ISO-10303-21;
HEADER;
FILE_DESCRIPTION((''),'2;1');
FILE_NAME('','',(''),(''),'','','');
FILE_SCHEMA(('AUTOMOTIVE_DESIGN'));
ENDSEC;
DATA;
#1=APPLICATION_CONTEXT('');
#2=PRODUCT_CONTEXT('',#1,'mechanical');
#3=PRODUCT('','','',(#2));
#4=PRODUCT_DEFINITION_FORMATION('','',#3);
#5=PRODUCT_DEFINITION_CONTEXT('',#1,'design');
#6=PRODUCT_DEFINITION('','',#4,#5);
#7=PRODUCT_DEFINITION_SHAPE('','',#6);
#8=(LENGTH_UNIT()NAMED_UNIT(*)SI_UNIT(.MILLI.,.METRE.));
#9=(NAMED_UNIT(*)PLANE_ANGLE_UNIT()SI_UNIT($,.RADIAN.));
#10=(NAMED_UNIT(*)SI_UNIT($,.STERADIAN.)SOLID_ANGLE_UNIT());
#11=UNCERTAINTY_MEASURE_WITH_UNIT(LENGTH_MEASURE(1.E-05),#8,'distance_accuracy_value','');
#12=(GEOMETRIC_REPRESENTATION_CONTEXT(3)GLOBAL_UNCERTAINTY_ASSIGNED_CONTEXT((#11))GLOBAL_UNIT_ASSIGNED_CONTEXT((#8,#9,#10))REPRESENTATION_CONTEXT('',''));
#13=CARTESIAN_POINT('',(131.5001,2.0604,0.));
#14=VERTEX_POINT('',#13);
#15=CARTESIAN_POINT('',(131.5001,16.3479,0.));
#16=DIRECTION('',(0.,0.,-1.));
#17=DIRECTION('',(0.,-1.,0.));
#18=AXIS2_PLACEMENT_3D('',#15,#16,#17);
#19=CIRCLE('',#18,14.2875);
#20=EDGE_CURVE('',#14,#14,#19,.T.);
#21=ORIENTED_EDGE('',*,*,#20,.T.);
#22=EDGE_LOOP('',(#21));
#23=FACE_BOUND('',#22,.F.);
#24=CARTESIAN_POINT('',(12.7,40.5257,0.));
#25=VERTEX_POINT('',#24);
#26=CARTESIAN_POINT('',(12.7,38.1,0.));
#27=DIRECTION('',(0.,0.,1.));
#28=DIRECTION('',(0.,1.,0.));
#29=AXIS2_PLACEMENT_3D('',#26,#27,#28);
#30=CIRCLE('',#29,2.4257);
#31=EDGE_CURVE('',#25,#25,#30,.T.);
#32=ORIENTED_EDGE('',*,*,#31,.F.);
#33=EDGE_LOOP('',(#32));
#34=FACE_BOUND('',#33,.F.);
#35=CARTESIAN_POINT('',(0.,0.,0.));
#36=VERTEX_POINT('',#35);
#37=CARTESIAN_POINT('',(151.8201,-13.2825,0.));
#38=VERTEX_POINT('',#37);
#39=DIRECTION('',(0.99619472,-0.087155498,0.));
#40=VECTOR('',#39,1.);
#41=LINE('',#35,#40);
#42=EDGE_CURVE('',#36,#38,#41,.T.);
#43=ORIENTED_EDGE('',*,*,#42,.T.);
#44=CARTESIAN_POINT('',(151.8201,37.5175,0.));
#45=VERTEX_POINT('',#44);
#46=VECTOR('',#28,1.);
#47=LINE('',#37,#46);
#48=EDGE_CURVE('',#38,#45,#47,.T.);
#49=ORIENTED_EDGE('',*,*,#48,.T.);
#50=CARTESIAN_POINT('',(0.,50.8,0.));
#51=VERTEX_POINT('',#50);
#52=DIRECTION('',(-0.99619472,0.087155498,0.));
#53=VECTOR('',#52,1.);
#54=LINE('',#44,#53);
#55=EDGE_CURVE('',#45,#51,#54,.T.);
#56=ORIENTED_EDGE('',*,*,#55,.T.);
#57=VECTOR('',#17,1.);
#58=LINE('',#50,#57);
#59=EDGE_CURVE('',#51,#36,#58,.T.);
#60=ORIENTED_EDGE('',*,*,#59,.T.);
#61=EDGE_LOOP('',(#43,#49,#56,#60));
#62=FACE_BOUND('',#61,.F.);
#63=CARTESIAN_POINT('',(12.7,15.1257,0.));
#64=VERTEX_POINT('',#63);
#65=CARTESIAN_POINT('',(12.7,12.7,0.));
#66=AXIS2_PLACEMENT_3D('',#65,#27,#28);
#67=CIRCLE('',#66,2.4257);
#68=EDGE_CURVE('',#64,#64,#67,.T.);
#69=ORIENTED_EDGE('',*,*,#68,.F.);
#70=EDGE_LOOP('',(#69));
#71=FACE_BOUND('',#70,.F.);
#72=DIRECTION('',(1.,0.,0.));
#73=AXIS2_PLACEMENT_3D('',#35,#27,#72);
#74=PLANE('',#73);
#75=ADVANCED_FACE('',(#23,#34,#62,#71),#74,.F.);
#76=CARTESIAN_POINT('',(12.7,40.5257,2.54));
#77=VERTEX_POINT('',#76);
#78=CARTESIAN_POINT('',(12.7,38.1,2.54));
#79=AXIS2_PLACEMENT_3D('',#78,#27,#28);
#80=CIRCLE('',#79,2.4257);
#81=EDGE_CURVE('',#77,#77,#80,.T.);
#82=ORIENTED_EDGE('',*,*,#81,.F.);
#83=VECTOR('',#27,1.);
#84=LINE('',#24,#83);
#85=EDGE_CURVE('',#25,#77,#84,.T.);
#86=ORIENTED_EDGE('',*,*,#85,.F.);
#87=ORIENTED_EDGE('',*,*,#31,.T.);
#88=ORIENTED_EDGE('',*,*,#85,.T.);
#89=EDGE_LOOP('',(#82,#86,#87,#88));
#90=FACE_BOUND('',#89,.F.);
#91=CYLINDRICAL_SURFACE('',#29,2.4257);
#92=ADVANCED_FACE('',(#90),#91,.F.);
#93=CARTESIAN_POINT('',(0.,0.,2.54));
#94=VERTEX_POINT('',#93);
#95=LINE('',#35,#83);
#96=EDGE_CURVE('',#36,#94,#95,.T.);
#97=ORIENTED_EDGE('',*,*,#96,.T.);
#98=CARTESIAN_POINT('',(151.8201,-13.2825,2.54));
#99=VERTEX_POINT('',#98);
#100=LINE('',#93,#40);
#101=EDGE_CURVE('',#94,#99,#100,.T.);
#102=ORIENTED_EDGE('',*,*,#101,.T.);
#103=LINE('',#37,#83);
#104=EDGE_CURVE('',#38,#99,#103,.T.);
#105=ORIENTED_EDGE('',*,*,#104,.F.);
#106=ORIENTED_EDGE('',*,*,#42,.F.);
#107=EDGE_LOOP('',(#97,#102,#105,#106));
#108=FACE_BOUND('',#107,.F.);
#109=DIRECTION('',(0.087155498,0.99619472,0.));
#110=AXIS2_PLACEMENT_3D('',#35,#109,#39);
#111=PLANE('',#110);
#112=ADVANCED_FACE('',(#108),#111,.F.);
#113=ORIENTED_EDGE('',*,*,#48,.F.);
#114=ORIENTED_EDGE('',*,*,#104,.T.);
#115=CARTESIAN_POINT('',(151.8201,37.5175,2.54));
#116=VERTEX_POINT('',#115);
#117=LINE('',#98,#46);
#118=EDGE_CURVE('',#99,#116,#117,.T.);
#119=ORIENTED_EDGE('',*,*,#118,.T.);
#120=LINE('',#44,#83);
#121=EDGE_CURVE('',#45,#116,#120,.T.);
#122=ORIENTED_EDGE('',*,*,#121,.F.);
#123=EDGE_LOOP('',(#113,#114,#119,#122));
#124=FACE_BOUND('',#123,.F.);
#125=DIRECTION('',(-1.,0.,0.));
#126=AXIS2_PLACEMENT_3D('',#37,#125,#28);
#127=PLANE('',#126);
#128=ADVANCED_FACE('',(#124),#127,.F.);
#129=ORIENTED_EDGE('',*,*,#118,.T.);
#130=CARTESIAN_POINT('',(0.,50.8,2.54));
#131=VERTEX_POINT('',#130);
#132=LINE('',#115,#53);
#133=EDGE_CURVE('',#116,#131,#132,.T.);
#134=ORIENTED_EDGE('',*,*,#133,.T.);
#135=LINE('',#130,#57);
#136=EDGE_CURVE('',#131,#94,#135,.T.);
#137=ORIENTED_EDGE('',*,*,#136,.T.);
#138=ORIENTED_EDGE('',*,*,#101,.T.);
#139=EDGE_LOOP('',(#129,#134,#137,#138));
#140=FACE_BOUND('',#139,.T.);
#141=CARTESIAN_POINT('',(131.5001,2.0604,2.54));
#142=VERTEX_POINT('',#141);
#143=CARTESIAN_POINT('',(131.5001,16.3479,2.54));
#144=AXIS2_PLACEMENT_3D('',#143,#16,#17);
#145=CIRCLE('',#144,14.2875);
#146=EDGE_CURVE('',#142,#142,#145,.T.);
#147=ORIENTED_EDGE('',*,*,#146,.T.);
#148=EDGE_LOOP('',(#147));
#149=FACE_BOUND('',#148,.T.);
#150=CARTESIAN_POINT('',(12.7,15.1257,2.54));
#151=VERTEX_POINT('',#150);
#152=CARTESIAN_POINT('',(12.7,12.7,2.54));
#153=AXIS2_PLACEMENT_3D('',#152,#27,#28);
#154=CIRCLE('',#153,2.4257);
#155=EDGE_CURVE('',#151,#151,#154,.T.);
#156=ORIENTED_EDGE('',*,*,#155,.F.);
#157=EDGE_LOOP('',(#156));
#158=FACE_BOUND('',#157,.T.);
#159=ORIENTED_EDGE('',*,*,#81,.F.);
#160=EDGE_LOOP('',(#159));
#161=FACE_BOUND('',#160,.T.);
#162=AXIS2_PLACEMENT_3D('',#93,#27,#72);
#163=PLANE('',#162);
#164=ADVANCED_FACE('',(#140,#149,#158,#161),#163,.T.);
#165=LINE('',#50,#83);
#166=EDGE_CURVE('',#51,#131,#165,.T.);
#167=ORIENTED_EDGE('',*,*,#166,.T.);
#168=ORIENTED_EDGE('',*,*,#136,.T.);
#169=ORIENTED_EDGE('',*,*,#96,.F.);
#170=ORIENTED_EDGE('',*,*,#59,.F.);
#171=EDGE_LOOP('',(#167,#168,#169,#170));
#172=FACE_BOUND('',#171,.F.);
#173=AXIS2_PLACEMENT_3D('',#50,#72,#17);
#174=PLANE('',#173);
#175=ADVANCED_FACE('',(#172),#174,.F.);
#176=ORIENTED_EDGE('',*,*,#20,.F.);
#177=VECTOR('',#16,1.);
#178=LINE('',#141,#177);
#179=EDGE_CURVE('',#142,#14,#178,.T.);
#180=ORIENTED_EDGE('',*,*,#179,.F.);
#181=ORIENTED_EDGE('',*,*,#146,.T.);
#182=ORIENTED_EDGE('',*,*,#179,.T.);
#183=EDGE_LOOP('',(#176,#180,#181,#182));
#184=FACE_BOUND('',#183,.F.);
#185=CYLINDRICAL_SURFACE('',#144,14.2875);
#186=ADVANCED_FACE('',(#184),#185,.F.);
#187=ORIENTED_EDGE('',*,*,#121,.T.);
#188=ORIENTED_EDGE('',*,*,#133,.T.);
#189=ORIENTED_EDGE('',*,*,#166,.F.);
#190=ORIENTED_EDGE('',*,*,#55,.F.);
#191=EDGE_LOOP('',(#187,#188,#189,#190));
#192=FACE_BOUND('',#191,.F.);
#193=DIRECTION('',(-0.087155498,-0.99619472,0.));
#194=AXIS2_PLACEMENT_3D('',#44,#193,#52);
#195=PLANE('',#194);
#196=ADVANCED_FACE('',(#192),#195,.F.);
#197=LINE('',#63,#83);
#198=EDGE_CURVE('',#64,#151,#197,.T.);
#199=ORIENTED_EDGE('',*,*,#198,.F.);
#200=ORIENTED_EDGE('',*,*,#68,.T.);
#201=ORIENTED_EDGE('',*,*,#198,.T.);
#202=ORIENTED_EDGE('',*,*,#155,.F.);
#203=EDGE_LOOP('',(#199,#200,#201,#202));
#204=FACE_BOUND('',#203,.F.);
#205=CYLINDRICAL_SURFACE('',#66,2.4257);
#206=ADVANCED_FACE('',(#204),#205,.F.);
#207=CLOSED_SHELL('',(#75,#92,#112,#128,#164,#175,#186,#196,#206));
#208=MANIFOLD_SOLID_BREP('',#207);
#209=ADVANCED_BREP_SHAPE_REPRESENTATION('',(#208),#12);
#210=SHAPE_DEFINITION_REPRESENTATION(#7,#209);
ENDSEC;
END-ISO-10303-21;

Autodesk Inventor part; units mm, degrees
ref_plane "YZ Plane" through (0, 0, 0) normal (1, 0, 0) x (0, 1, 0)
ref_plane "XZ Plane" through (0, 0, 0) normal (0, 1, 0) x (-1, 0, 0)
ref_plane "XY Plane" through (0, 0, 0) normal (0, 0, 1) x (1, 0, 0)
sketch "Sketch1" plane through (0, 0, 0) normal (0, 0, 1) x (1, 0, 0)
  line L0 (0, 0) -> (151.8201, -13.2825)
  line L1 (151.8201, -13.2825) -> (151.8201, 37.5175)
  line L2 (151.8201, 37.5175) -> (0, 50.8)
  line L3 (0, 50.8) -> (0, 0)
  dimension "d0" = 50.8
  dimension "d1" = 50.8
  dimension "d2" = 85
  dimension "d3" = 152.4
extrude "Extrusion1" add sketch "Sketch1" along normal blind 2.54
hole "Hole1" at (131.5001, 16.3479, 2.54) direction (0, 0, -1) diameter 28.575 end through all
sketch "Sketch2" plane through (0, 0, 0) normal (0, 0, -1) x (-1, 0, 0)
  line L0 (0, 0) -> (-151.8201, -13.2825) projected
  line L1 (0, 0) -> (-33.0355, 0)
  line L2 (0, 50.8) -> (0, 0) projected
  point P0 (-12.7, 38.1)
  point P1 (-12.7, 12.7)
  dimension "d15" = 12.7
  dimension "d16" = 38.1
  dimension "d17" = 12.7
  dimension "d18" = 12.7
hole "Hole2" at (12.7, 38.1, 0) at (12.7, 12.7, 0) direction (0, 0, 1) diameter 4.8514 end through all
properties part number "CAR_050_Sweeper Bar arms"
